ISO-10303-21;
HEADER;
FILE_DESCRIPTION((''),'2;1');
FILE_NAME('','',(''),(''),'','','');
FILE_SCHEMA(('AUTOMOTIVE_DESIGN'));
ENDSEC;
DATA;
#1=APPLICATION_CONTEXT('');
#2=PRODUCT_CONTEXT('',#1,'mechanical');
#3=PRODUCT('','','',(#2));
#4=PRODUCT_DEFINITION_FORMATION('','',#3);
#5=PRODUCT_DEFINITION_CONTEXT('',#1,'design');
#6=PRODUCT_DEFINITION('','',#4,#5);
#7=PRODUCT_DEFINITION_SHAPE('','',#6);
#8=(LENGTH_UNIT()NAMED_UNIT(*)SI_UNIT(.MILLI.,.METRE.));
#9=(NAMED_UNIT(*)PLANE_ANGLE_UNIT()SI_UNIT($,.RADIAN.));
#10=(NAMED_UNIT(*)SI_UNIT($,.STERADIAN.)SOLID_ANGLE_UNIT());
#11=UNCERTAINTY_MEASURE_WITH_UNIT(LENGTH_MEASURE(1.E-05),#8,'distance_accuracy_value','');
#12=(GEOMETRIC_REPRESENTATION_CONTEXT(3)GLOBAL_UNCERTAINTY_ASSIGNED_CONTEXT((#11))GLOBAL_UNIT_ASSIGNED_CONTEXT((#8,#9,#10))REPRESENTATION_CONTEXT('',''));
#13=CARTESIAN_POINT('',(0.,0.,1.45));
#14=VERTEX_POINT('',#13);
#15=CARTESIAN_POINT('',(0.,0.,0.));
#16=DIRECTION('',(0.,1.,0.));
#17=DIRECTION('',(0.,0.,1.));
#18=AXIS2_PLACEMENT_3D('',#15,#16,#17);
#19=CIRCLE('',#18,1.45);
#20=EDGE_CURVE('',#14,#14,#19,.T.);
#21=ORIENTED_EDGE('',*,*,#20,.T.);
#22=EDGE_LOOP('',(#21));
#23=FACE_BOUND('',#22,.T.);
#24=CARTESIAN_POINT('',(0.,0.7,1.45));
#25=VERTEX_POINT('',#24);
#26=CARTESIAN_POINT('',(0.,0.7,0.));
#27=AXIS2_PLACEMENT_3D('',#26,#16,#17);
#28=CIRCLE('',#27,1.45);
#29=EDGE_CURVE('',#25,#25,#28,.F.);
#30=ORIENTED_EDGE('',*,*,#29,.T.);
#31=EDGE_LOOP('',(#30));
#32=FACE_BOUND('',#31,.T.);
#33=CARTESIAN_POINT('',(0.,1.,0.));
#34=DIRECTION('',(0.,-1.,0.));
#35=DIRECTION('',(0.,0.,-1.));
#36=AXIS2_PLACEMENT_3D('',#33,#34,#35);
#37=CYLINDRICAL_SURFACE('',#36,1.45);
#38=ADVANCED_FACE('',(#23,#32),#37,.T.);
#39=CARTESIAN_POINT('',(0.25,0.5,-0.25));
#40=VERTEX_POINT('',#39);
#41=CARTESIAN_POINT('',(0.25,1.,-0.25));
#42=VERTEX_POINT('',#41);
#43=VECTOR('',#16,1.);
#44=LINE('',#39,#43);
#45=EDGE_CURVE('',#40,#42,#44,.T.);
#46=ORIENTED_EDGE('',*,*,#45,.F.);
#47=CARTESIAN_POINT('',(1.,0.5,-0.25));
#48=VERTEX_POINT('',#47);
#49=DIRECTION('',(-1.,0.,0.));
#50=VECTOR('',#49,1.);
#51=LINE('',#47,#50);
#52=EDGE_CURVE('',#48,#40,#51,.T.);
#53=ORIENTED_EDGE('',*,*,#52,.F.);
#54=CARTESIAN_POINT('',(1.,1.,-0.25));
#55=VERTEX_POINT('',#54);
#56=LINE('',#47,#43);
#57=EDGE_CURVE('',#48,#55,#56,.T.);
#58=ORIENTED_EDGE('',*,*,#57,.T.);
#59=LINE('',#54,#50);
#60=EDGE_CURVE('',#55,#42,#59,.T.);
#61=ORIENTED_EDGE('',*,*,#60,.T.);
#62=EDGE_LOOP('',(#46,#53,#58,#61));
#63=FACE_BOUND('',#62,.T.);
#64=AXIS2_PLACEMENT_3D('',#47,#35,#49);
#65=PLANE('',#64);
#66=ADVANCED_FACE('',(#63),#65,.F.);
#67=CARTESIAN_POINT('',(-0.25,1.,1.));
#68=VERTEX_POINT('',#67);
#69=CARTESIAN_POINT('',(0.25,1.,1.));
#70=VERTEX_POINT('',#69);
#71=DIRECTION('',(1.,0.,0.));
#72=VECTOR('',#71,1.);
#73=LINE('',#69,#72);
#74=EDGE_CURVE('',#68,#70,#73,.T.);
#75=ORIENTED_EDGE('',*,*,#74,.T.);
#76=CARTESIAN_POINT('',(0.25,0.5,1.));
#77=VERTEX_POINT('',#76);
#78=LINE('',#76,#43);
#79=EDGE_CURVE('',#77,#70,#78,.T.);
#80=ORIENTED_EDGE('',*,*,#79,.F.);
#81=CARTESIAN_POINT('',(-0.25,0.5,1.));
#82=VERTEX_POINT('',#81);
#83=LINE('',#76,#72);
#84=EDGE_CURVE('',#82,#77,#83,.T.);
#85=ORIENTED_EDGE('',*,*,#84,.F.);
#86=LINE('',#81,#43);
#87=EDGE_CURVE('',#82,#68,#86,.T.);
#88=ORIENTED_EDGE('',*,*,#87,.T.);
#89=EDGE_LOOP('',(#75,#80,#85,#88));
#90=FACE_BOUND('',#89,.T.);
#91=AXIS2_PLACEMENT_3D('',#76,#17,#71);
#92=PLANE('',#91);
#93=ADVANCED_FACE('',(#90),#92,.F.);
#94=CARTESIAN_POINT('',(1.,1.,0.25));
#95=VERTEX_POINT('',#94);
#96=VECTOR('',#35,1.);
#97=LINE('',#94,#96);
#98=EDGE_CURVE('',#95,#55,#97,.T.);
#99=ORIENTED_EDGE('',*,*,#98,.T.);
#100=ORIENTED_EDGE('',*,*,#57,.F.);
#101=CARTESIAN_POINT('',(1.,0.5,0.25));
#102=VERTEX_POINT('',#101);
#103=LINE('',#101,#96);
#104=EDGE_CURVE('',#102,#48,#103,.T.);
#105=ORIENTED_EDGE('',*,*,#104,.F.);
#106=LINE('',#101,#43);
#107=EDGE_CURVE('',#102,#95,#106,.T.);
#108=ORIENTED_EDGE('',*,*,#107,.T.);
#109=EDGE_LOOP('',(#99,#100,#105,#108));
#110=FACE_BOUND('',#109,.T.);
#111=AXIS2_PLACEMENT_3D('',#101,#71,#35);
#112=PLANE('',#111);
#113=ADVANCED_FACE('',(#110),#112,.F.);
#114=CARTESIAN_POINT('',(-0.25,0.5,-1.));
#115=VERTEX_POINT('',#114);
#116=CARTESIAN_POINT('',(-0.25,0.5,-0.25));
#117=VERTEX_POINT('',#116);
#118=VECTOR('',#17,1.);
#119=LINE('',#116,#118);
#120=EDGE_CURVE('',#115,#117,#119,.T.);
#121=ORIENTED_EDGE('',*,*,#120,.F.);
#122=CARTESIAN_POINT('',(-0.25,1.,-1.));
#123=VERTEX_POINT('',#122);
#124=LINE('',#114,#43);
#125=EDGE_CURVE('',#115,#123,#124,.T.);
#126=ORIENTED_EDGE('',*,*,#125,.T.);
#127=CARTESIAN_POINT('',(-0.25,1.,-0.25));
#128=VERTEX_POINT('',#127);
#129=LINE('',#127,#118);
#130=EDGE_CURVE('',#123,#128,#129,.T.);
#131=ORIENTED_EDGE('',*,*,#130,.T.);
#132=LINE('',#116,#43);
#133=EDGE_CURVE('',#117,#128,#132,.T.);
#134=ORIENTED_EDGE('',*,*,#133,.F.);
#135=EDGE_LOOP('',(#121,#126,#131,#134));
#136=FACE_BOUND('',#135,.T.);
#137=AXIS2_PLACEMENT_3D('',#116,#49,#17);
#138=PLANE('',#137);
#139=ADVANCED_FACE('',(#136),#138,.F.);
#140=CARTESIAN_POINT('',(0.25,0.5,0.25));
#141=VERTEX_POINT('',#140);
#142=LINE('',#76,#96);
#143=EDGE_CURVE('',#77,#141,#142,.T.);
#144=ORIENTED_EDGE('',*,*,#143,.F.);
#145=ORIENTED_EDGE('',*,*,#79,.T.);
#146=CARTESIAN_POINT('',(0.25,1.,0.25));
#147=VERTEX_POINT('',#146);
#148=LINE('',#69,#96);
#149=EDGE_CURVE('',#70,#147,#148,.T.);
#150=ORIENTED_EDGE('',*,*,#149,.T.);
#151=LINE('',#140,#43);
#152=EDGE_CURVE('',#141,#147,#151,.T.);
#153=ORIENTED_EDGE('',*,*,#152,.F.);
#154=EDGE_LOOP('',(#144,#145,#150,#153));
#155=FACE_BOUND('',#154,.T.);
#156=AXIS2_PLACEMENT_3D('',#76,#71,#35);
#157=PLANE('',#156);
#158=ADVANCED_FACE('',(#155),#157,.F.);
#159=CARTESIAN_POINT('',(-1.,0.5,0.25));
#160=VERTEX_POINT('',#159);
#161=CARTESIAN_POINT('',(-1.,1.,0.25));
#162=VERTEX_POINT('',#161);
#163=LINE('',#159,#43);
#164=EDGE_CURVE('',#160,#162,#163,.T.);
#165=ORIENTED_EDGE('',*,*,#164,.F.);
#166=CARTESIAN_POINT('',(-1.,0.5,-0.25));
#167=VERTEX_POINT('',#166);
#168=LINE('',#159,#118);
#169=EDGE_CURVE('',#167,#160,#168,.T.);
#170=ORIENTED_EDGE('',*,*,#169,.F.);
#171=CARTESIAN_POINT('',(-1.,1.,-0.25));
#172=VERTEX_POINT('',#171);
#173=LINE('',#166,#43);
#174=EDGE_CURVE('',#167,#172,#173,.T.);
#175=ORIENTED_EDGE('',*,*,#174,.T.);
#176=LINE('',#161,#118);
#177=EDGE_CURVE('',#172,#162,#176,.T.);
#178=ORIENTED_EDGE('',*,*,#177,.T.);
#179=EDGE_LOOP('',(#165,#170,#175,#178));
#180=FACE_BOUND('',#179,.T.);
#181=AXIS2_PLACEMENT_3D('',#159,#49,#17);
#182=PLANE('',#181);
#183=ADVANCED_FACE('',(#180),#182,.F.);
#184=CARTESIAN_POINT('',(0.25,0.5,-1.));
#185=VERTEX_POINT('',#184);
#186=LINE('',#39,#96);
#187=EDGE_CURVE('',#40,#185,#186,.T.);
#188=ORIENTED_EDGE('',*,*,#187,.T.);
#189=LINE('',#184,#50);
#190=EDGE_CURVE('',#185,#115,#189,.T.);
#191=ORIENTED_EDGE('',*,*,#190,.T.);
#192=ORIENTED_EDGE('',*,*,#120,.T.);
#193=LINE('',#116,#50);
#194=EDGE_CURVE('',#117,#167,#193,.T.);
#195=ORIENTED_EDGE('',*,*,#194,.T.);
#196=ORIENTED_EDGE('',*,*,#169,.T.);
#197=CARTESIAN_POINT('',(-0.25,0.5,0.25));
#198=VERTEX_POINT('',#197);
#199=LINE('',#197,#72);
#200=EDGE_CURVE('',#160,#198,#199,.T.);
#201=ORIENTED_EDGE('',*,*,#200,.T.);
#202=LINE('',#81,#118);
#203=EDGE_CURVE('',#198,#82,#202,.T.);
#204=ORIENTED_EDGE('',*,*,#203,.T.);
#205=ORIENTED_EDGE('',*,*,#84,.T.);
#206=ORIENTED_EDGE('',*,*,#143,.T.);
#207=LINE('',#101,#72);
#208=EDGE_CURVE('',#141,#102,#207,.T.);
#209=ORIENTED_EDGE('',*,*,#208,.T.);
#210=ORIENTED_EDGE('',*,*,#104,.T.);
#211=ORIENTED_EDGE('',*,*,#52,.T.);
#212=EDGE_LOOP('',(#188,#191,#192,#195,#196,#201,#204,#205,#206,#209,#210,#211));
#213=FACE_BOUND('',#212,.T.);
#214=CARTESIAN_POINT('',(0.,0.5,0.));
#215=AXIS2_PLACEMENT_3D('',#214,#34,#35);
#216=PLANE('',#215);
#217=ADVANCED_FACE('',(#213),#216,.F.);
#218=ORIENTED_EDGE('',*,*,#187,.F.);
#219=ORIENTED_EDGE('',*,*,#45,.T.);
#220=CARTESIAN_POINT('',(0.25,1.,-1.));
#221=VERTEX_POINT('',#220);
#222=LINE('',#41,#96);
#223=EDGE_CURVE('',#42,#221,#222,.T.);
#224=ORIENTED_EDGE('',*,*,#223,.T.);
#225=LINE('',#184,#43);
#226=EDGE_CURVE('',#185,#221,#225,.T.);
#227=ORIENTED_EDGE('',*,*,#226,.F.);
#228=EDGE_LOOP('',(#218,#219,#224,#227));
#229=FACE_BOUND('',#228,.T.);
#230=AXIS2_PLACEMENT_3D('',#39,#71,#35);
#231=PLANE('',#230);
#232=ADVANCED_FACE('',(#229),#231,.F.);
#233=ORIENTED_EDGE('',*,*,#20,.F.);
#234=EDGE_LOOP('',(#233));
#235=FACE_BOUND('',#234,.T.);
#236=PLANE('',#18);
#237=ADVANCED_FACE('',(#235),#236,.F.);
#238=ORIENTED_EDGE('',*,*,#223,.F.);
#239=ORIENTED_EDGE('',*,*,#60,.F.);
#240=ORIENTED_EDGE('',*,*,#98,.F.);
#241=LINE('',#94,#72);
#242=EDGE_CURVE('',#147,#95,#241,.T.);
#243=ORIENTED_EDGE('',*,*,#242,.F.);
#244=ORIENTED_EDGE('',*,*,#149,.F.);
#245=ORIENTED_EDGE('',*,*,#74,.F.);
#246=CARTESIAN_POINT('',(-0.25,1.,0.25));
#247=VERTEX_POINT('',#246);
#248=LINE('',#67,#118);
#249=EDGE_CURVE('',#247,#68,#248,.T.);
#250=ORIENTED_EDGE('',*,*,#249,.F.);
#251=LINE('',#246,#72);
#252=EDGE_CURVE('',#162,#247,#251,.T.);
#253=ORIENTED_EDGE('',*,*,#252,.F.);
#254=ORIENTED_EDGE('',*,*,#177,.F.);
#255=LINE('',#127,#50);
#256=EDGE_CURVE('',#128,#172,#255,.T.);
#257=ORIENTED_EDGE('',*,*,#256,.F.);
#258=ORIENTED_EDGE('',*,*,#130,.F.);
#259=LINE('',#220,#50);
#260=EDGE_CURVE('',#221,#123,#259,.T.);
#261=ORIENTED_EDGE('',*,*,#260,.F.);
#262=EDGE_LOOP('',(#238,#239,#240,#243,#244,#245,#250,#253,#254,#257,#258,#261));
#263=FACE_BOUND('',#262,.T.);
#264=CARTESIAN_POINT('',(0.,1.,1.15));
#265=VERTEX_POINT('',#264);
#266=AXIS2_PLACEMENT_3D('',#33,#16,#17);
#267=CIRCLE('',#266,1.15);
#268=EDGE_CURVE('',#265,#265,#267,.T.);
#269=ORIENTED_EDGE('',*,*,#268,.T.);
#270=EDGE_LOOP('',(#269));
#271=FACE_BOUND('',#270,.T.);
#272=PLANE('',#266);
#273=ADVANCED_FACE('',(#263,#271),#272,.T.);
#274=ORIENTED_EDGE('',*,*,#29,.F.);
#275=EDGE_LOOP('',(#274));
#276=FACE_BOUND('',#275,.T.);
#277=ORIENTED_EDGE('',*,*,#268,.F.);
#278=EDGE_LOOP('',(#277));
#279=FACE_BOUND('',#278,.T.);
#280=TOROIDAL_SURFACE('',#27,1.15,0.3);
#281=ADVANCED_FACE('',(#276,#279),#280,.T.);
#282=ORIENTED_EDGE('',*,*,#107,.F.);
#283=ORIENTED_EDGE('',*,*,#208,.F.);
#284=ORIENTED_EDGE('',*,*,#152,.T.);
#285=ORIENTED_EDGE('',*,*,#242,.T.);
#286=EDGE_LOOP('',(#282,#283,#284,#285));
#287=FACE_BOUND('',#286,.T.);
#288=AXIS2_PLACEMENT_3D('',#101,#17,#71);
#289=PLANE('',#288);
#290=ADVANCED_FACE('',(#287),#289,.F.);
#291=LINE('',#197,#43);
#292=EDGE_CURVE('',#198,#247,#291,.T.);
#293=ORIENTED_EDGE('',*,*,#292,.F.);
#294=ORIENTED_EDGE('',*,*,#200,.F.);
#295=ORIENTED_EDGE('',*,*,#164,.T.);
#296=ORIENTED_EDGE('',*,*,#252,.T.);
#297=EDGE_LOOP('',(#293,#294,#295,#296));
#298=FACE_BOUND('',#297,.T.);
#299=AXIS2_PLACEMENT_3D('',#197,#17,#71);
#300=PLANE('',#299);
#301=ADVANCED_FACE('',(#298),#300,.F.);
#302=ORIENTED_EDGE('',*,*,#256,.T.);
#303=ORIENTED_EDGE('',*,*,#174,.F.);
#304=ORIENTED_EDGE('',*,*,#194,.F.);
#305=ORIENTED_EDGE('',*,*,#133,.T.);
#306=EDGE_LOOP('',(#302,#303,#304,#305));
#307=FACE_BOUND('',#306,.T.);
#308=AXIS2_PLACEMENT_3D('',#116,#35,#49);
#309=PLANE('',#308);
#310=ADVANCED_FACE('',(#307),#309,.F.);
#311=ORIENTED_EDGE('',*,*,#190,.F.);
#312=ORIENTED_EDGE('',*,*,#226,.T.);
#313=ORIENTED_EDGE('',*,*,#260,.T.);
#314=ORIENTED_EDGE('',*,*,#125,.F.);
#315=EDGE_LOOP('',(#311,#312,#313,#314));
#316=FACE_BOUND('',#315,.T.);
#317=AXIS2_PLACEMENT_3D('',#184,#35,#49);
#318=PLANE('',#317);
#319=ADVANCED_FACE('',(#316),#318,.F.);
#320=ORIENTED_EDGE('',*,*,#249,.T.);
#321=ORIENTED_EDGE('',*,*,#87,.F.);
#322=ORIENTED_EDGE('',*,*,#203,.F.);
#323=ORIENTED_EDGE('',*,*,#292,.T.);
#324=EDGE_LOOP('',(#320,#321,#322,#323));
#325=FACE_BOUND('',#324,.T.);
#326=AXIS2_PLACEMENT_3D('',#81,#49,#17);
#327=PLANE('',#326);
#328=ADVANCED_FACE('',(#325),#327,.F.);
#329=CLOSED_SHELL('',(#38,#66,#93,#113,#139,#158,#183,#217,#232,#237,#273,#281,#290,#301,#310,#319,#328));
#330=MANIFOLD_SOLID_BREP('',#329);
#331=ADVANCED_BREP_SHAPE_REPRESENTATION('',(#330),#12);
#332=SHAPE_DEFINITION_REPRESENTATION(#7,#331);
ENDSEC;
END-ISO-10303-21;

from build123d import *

# Parameters (mm, degrees)
SKETCH1_R           = 1.45
BOSS_EXTRUDE1_DEPTH = 1
CUT_EXTRUDE1_DEPTH  = 0.5
FILLET3_R           = 0.3


with BuildPart() as part:
    # Sketch1 → Boss-Extrude1 (new body)
    with BuildSketch(Plane(origin=(0, 0, 0), x_dir=(1, 0, 0), z_dir=(0, 1, 0))):
        Circle(SKETCH1_R)
    extrude(amount=BOSS_EXTRUDE1_DEPTH)

    # Sketch2 → Cut-Extrude1 (cut)
    with BuildSketch(Plane(origin=(0, 1, 0), x_dir=(1, 0, 0), z_dir=(0, 1, 0))):
        Polygon((-0.25, 0.25), (-0.25, 1), (0.25, 1), (0.25, 0.25), (1, 0.25), (1, -0.25), (0.25, -0.25), (0.25, -1), (-0.25, -1), (-0.25, -0.25), (-1, -0.25), (-1, 0.25), align=None)
    extrude(amount=-CUT_EXTRUDE1_DEPTH, mode=Mode.SUBTRACT)

    # Fillet3
    fillet3_edges = [part.edges().sort_by_distance(p)[0] for p in [
        (-1.45, 1, 0),
    ]]
    fillet(fillet3_edges, radius=FILLET3_R)


solid = part.part
